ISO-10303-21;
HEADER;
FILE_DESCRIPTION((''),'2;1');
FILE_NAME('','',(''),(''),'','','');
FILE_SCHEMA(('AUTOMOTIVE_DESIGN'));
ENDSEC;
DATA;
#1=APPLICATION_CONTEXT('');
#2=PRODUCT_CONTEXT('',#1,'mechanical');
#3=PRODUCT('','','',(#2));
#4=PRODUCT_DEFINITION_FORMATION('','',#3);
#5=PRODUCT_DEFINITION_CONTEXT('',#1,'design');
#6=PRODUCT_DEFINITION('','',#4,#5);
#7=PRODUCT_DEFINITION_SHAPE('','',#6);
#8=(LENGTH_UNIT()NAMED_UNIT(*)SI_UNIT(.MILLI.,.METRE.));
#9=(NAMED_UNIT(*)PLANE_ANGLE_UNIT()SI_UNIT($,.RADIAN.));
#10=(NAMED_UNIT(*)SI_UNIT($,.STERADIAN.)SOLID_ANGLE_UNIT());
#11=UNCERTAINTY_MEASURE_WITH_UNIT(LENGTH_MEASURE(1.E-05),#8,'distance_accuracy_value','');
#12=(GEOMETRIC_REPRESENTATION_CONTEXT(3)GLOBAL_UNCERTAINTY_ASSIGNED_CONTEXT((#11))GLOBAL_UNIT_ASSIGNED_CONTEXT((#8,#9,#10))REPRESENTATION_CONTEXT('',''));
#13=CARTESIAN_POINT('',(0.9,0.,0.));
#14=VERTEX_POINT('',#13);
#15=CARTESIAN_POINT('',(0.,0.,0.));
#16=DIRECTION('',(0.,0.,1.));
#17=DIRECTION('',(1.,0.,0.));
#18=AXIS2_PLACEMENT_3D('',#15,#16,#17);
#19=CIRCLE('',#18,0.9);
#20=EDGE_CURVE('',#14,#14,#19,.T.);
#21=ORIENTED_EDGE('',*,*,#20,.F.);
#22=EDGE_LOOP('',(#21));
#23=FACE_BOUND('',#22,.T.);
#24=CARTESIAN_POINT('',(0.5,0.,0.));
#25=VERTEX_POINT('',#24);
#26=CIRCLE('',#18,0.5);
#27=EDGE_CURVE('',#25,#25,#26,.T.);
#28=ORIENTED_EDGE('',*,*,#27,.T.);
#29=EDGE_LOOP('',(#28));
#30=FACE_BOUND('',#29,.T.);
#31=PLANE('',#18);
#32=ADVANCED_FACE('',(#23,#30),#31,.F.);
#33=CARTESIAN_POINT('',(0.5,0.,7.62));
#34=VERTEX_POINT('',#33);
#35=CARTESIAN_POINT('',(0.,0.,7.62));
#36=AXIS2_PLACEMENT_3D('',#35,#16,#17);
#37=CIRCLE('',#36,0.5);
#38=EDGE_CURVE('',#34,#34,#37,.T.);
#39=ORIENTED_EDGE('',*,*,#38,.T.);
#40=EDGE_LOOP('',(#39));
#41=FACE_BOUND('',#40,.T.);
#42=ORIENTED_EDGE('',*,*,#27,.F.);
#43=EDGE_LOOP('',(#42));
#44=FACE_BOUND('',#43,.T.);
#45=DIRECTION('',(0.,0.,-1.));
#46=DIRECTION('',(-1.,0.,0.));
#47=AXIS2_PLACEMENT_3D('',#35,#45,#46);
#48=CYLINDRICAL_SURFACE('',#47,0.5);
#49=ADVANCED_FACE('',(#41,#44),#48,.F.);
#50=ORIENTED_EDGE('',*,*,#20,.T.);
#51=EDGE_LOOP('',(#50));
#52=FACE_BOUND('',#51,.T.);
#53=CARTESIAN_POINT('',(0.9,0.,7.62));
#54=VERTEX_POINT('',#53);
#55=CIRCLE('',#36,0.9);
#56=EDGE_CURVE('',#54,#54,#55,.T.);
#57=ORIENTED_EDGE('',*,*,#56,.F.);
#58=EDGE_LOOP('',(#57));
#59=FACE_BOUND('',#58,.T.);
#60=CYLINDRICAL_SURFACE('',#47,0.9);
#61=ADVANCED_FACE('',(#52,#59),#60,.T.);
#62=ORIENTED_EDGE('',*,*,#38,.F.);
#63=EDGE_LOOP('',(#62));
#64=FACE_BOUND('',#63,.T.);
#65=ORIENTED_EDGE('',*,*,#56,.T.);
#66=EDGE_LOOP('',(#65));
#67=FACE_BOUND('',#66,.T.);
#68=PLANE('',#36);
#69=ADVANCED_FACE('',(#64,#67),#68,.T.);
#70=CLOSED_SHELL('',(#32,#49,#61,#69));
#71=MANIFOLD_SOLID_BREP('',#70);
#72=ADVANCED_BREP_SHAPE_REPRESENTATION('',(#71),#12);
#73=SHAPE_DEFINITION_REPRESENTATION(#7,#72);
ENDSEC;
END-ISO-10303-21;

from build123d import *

# Parameters (mm, degrees)
SKETCH1_R           = 0.9
SKETCH1_R_2         = 0.5
BOSS_EXTRUDE1_DEPTH = 7.62


with BuildPart() as part:
    # Sketch1 → Boss-Extrude1 (new body)
    with BuildSketch(Plane.XY):
        Circle(SKETCH1_R)
        Circle(SKETCH1_R_2, mode=Mode.SUBTRACT)
    extrude(amount=BOSS_EXTRUDE1_DEPTH)


solid = part.part
